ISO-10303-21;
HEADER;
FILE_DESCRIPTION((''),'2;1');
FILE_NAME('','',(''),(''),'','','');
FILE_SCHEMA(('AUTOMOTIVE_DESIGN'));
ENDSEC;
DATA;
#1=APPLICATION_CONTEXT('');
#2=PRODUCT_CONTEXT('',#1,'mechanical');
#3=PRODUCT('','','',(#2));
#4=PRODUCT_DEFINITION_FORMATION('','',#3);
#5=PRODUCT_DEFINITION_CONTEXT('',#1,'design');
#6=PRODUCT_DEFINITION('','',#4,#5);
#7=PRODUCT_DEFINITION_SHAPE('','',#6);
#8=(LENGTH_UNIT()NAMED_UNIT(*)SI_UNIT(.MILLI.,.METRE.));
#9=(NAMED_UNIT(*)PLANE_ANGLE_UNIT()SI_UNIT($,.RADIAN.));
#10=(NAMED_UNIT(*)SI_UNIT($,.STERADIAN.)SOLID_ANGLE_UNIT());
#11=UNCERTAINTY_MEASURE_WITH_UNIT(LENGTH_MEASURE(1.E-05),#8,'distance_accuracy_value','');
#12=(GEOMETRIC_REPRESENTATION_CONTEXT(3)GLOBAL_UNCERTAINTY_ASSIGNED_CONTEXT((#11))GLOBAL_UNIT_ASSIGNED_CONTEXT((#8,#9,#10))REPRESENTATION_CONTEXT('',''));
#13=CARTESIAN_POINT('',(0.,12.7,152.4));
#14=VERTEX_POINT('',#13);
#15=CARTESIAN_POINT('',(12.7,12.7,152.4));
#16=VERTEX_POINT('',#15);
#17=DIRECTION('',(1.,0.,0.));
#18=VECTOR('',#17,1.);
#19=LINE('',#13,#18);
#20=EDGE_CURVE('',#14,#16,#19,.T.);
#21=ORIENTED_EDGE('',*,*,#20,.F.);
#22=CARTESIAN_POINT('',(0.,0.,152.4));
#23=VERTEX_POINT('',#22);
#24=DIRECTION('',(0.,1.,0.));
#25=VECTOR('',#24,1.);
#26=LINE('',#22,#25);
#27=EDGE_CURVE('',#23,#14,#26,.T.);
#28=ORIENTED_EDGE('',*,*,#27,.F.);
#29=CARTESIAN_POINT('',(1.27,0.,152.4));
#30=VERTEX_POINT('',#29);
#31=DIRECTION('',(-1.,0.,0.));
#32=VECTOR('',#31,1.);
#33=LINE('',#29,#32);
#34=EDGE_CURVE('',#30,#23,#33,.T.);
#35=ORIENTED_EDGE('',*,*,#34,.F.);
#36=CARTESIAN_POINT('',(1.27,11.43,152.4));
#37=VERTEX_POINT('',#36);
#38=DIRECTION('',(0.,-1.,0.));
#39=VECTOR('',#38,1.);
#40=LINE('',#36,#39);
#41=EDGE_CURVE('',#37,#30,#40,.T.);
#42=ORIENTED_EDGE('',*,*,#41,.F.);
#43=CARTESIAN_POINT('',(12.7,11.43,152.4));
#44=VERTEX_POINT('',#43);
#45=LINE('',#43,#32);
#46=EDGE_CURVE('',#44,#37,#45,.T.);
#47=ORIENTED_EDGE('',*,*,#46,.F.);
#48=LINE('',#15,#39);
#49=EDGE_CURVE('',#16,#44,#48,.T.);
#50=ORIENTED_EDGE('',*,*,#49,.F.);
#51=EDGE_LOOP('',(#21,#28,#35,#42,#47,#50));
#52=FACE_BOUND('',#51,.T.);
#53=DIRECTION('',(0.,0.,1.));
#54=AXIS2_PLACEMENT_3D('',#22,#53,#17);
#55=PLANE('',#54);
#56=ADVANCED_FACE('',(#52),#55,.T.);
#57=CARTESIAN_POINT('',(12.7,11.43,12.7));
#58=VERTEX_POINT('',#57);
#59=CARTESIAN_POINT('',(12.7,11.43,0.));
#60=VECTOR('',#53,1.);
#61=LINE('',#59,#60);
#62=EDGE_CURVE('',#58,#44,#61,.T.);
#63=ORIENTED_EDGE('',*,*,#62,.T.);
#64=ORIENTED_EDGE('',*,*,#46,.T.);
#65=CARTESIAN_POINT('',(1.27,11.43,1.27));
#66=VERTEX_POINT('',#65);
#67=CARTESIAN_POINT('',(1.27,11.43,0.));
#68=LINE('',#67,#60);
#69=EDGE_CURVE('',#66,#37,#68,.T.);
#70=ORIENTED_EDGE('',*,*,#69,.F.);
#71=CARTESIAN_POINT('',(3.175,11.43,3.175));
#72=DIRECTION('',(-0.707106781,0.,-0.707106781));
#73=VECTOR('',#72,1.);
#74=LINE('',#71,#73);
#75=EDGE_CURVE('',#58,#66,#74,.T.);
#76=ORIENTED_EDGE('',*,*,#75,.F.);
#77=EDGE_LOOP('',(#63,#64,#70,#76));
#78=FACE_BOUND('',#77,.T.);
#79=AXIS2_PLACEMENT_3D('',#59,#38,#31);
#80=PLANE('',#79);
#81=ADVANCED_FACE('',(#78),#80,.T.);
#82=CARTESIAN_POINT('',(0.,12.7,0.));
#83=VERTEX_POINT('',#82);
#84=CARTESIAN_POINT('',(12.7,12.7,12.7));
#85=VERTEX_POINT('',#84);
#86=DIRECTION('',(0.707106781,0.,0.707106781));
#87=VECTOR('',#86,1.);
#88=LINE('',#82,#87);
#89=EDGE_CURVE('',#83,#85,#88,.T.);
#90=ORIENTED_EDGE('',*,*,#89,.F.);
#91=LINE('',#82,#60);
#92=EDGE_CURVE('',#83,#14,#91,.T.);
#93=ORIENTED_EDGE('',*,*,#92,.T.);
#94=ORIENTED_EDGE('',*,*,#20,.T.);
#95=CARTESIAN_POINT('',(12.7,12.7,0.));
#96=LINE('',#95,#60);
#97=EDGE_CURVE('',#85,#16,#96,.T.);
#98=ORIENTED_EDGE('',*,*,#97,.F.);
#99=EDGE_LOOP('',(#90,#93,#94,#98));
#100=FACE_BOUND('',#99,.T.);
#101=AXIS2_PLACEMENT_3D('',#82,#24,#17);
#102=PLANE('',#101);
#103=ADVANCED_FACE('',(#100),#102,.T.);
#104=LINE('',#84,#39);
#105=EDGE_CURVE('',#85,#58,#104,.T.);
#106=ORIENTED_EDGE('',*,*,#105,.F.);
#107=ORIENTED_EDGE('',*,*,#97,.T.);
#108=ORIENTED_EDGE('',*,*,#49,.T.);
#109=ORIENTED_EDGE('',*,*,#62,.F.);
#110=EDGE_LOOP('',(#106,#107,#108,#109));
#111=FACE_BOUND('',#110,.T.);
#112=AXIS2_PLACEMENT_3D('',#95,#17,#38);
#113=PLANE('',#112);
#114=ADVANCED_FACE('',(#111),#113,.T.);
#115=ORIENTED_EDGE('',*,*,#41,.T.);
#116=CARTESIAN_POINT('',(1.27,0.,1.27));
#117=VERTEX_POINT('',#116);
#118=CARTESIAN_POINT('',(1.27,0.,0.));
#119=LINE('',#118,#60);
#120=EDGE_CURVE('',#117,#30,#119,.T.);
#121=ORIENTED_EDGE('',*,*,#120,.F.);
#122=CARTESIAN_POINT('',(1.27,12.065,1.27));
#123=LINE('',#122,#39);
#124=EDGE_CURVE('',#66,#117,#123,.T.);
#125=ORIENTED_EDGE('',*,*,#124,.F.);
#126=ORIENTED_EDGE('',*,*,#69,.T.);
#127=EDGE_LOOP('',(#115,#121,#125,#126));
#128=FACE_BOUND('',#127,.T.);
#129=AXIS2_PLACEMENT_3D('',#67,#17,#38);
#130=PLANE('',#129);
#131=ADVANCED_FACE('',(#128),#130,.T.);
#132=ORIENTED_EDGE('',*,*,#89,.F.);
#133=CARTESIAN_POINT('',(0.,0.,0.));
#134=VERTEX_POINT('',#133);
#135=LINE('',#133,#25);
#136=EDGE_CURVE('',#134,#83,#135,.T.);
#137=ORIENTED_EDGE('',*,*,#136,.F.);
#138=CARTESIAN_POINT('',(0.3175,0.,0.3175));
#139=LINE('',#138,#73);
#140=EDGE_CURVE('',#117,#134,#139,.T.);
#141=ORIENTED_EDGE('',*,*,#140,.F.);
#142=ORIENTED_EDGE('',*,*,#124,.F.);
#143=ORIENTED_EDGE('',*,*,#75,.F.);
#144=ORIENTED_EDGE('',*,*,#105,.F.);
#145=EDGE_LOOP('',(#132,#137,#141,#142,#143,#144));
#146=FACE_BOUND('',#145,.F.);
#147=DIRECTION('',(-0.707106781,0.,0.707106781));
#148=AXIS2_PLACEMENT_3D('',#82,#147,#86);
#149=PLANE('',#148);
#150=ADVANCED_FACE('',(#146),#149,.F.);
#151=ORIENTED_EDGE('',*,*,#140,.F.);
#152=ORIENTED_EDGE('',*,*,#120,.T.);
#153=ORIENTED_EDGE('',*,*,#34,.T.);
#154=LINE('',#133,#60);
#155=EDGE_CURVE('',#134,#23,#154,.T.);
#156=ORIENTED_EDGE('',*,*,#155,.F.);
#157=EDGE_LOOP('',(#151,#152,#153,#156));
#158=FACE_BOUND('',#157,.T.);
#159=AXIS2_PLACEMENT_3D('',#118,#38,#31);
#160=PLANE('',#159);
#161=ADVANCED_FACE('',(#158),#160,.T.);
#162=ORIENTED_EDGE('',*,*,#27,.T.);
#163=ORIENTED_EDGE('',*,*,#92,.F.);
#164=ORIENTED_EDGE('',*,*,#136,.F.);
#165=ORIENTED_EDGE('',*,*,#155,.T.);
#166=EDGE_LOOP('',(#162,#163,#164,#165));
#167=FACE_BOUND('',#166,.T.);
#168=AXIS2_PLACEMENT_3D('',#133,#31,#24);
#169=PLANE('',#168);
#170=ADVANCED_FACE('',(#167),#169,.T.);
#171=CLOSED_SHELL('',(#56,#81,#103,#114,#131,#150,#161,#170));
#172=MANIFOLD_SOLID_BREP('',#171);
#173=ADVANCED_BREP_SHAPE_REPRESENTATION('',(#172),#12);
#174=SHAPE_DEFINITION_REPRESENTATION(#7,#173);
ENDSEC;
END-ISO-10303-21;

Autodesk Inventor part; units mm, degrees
ref_plane "YZ Plane" through (0, 0, 0) normal (1, 0, 0) x (0, 1, 0)
ref_plane "XZ Plane" through (0, 0, 0) normal (0, 1, 0) x (-1, 0, 0)
ref_plane "XY Plane" through (0, 0, 0) normal (0, 0, 1) x (1, 0, 0)
sketch "Sketch1" plane through (0, 0, 0) normal (0, 0, 1) x (1, 0, 0)
  line L0 (0, 0) -> (0, 12.7)
  line L1 (0, 12.7) -> (12.7, 12.7)
  line L2 (12.7, 12.7) -> (12.7, 11.43)
  line L3 (12.7, 11.43) -> (1.27, 11.43)
  line L4 (1.27, 11.43) -> (1.27, 0)
  line L5 (1.27, 0) -> (0, 0)
  dimension "d0" = 12.7
  dimension "d1" = 12.7
  dimension "d2" = 1.27
  dimension "d3" = 11.43
extrude "Extrusion1" add sketch "Sketch1" along normal blind 152.4
sketch "Sketch2" plane through (0, 12.7, 0) normal (0, 1, 0) x (1, 0, 0)
  line L0 (0, 0) -> (12.7, 0) projected
  line L1 (12.7, -152.4) -> (0, -152.4) projected
  line L2 (12.7, 0) -> (12.7, -152.4) projected
  line L3 (0, 0) -> (12.7, -12.7)
  dimension "d6" = 45
extrude "Extrusion2" cut sketch "Sketch2" against normal blind 228.6
properties part number "Aluminum Angle 1 Left" material "Aluminum 6061"
